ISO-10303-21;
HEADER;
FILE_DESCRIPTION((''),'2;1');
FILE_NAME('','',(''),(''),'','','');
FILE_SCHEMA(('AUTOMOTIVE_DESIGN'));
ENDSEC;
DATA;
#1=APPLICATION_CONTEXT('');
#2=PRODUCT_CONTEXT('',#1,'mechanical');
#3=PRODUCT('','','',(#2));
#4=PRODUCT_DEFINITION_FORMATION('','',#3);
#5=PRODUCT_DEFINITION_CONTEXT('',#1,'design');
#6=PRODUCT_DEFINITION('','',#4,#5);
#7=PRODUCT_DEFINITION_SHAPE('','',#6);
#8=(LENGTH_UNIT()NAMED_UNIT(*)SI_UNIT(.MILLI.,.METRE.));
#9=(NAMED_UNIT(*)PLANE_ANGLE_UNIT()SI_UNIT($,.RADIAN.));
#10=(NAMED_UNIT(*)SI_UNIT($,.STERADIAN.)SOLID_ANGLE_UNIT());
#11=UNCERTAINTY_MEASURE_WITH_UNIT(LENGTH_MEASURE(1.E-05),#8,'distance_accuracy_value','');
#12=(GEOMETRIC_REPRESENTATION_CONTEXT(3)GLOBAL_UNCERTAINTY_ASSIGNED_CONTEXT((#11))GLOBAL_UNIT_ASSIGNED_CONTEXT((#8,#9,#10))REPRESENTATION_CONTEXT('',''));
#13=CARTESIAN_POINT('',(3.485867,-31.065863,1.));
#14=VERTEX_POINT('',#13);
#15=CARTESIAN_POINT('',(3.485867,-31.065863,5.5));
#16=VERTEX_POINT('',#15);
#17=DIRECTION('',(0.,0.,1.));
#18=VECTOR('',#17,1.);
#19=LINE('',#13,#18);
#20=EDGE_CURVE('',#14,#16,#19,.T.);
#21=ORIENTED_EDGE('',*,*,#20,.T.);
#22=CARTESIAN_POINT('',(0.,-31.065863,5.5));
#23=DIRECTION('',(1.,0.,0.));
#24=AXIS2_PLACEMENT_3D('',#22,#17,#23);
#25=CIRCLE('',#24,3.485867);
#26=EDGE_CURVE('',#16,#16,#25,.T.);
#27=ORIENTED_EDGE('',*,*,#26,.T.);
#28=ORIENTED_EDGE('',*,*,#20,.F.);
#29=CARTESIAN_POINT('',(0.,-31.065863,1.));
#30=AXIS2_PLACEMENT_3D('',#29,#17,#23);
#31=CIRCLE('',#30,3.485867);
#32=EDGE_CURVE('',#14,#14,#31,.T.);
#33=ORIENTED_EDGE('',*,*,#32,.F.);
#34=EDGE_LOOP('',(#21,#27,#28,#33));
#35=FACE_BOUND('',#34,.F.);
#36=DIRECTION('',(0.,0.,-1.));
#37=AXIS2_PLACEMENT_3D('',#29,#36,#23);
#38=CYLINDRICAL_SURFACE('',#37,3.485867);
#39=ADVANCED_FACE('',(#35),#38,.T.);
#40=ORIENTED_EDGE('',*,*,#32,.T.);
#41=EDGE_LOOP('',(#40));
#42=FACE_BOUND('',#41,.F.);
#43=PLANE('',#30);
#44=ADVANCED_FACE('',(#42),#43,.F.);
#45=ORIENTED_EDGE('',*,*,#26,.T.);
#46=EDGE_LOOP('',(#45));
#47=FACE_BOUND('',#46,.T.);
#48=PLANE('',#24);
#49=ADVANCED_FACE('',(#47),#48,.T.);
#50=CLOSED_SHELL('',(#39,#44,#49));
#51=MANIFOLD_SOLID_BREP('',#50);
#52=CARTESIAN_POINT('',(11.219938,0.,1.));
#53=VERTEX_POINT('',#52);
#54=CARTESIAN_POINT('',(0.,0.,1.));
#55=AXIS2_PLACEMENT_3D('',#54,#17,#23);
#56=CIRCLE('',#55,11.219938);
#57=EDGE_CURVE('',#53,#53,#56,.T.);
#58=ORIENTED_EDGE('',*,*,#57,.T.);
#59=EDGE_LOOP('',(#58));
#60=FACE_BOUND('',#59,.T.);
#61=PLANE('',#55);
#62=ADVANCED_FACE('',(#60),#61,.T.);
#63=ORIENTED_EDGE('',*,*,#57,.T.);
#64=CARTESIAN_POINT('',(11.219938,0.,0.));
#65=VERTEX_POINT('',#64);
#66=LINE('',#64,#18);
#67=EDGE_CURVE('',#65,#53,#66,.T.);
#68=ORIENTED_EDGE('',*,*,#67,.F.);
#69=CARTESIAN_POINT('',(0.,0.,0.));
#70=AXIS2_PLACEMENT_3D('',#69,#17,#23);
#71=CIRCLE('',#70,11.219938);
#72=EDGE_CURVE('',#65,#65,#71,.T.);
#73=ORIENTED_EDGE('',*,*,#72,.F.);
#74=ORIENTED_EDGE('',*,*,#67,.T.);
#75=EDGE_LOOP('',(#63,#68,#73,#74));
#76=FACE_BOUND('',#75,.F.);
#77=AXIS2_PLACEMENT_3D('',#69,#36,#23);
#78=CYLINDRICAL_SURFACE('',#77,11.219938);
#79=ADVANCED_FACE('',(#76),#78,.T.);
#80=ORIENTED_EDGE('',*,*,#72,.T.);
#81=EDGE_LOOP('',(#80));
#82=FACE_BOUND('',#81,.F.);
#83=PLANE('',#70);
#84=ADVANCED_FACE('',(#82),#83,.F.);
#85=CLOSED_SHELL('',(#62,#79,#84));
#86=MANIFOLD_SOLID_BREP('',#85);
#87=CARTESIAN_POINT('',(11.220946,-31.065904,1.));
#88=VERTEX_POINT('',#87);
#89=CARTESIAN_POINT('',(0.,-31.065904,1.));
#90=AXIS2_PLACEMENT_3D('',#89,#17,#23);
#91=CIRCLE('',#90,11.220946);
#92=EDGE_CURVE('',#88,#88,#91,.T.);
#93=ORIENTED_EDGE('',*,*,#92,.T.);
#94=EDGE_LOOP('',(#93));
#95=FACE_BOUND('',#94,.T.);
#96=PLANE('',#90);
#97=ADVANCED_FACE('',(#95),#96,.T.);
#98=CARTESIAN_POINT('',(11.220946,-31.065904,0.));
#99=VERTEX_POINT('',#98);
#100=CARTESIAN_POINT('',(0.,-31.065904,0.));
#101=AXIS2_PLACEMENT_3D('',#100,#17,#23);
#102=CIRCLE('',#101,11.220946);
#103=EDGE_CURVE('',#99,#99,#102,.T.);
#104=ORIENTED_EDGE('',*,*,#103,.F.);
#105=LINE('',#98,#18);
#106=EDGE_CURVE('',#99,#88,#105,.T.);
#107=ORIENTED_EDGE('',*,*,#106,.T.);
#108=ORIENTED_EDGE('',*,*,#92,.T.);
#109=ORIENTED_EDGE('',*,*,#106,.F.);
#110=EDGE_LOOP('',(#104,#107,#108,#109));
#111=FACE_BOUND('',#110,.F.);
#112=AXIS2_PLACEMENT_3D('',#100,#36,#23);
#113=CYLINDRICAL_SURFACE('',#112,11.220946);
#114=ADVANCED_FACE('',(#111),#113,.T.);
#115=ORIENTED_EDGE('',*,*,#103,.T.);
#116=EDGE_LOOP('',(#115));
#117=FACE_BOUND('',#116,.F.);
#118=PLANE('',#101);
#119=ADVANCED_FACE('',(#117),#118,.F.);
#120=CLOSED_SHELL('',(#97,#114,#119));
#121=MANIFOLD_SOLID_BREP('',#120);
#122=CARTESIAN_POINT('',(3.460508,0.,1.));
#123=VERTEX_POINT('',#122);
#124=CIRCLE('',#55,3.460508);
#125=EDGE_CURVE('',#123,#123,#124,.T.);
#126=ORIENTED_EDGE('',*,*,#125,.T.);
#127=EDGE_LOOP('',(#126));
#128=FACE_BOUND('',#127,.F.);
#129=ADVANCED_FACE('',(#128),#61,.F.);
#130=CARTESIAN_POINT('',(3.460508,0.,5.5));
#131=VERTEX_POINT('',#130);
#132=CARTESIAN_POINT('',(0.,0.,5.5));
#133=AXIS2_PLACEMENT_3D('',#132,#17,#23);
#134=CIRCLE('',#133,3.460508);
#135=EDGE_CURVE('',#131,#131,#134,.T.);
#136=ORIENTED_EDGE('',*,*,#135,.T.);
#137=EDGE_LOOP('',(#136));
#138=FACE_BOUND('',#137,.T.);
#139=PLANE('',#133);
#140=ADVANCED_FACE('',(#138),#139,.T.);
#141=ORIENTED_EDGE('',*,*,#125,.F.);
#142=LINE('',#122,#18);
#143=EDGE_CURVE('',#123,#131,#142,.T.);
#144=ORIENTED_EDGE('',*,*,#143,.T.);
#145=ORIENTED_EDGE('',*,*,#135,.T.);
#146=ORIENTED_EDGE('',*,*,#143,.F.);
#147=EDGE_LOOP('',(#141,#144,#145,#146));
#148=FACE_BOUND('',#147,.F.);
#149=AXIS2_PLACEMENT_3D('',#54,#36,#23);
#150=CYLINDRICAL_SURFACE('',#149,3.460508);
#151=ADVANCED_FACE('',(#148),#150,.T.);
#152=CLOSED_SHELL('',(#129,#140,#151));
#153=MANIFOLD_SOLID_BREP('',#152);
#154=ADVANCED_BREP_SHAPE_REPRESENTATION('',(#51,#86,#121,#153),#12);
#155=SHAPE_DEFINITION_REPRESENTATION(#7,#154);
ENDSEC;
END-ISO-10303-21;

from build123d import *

# Parameters (mm, degrees)
F0_R     = 11.219938
F0_R_2   = 11.220946
F1_DEPTH = 1
F2_R     = 3.460508
F2_R_2   = 3.485867
F3_DEPTH = 4.5


with BuildPart() as f1:
    # F0 (on Top) → F1 (new body)
    with BuildSketch(Plane.XY):
        Circle(F0_R)
        with Locations((0, -31.065904)):
            Circle(F0_R_2)
    extrude(amount=F1_DEPTH)


with BuildPart() as f3:
    # F2 (on face) → F3 (new body)
    with BuildSketch(Plane.XY.offset(1)):
        Circle(F2_R)
        with Locations((0, -31.065863)):
            Circle(F2_R_2)
    extrude(amount=F3_DEPTH)


solid = Compound([f1.part, f3.part])
